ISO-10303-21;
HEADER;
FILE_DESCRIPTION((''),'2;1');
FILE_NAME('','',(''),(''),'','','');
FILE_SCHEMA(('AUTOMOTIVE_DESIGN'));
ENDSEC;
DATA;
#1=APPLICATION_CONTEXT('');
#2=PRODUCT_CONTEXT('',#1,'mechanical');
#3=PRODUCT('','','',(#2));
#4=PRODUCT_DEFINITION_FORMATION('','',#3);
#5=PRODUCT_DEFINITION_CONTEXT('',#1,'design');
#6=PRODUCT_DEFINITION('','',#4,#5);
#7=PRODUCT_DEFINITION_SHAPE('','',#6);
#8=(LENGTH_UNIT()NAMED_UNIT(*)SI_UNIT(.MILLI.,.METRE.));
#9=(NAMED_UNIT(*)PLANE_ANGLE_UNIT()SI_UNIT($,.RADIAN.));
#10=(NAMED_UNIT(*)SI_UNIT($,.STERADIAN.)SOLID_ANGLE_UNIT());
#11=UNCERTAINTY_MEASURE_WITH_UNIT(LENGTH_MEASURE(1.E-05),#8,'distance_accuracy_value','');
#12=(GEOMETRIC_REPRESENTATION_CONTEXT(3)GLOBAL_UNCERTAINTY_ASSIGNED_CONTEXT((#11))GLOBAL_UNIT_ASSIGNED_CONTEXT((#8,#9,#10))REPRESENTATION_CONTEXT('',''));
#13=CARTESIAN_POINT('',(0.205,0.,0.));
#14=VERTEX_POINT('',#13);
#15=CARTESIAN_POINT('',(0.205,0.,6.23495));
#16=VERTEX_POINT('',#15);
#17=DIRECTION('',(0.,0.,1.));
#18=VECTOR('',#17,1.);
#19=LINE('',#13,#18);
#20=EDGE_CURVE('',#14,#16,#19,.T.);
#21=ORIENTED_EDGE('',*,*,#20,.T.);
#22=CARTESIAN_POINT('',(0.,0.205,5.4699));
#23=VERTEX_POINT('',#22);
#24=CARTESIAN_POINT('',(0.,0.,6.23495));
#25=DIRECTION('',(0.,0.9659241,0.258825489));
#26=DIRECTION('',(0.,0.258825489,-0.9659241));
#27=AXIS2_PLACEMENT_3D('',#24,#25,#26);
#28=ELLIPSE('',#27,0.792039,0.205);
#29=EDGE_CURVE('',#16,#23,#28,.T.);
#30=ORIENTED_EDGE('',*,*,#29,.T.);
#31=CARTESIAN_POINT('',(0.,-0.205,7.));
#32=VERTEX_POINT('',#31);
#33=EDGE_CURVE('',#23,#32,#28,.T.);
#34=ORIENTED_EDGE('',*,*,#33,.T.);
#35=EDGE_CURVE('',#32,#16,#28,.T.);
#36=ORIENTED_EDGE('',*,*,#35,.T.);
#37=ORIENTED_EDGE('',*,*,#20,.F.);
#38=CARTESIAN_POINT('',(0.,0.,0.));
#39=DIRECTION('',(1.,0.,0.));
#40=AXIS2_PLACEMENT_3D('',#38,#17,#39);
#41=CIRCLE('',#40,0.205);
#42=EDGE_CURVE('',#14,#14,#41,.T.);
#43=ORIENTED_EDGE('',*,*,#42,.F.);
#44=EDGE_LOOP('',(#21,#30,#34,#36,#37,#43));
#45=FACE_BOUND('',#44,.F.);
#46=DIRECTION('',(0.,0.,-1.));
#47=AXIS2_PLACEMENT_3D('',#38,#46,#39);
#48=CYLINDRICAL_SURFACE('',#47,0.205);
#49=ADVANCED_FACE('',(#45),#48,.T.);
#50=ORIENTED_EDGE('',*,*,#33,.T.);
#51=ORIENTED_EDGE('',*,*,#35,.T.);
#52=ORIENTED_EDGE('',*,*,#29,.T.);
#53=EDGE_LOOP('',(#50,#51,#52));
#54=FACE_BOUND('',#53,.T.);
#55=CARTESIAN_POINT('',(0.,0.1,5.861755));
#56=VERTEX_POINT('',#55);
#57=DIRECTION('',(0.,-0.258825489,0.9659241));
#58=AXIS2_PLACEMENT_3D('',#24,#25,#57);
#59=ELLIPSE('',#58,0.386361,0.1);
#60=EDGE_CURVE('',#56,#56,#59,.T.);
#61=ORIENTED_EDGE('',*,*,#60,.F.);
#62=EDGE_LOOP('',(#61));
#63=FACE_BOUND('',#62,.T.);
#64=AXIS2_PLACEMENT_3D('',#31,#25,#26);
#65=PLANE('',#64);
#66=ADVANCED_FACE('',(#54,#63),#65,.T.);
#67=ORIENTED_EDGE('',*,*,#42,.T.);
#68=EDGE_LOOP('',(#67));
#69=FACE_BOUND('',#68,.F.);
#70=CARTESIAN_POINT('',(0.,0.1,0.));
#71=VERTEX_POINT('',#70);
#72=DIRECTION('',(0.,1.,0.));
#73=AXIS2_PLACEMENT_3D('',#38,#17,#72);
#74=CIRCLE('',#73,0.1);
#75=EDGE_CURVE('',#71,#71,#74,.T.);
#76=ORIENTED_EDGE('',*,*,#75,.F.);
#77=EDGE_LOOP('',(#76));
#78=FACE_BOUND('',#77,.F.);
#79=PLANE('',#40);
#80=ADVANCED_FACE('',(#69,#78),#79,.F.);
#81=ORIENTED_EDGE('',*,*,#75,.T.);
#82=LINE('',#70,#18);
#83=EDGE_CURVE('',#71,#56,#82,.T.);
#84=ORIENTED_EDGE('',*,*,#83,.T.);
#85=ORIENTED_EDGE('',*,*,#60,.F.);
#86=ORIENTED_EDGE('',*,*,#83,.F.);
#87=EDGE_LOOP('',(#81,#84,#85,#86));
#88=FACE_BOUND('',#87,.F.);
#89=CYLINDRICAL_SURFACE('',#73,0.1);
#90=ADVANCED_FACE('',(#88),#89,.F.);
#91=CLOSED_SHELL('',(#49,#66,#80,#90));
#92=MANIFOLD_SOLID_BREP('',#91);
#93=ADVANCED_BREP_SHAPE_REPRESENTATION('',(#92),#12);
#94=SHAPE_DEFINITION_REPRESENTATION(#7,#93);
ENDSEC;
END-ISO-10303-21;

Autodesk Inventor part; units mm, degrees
ref_plane "YZ Plane" through (0, 0, 0) normal (1, 0, 0) x (0, 1, 0)
ref_plane "XZ Plane" through (0, 0, 0) normal (0, 1, 0) x (-1, 0, 0)
sketch "Sketch1" plane through (0, 0, 0) normal (0, 0, 1) x (1, 0, 0)
  circle A0 centre (0, 0) radius 0.205
  dimension "d0" = 0.41
extrude "Extrusion5" add sketch "Sketch1" along normal blind 7
hole "Hole2" at (0, 0, 0) direction (0, 0, 1) diameter 0.2 end through all
sketch "Sketch10" plane through (0, 0, 0) normal (1, 0, 0) x (0, 1, 0)
  line L0 (0, -1.6) -> (0, 9.6) projected
  line L1 (-0.205, 7) -> (0.205, 7) projected
  line L2 (0.205, 0) -> (0.205, 7) projected
  line L3 (-0.205, 7) -> (0.205, 5.4699)
  line L4 (0.205, 7) -> (-0.205, 7)
  line L5 (0.205, 5.4699) -> (0.205, 7)
  point P0 (0, 0)
  dimension "d52" = 15
  dimension "d53" = 1.5301
extrude "Extrusion6" cut sketch "Sketch10" along normal through all both and the other way through all
ref_plane "Work Plane1" through (0, -0.205, 7) normal (0, 0, -1) x (-1, 0, 0)
properties part number "Short_Needle"
